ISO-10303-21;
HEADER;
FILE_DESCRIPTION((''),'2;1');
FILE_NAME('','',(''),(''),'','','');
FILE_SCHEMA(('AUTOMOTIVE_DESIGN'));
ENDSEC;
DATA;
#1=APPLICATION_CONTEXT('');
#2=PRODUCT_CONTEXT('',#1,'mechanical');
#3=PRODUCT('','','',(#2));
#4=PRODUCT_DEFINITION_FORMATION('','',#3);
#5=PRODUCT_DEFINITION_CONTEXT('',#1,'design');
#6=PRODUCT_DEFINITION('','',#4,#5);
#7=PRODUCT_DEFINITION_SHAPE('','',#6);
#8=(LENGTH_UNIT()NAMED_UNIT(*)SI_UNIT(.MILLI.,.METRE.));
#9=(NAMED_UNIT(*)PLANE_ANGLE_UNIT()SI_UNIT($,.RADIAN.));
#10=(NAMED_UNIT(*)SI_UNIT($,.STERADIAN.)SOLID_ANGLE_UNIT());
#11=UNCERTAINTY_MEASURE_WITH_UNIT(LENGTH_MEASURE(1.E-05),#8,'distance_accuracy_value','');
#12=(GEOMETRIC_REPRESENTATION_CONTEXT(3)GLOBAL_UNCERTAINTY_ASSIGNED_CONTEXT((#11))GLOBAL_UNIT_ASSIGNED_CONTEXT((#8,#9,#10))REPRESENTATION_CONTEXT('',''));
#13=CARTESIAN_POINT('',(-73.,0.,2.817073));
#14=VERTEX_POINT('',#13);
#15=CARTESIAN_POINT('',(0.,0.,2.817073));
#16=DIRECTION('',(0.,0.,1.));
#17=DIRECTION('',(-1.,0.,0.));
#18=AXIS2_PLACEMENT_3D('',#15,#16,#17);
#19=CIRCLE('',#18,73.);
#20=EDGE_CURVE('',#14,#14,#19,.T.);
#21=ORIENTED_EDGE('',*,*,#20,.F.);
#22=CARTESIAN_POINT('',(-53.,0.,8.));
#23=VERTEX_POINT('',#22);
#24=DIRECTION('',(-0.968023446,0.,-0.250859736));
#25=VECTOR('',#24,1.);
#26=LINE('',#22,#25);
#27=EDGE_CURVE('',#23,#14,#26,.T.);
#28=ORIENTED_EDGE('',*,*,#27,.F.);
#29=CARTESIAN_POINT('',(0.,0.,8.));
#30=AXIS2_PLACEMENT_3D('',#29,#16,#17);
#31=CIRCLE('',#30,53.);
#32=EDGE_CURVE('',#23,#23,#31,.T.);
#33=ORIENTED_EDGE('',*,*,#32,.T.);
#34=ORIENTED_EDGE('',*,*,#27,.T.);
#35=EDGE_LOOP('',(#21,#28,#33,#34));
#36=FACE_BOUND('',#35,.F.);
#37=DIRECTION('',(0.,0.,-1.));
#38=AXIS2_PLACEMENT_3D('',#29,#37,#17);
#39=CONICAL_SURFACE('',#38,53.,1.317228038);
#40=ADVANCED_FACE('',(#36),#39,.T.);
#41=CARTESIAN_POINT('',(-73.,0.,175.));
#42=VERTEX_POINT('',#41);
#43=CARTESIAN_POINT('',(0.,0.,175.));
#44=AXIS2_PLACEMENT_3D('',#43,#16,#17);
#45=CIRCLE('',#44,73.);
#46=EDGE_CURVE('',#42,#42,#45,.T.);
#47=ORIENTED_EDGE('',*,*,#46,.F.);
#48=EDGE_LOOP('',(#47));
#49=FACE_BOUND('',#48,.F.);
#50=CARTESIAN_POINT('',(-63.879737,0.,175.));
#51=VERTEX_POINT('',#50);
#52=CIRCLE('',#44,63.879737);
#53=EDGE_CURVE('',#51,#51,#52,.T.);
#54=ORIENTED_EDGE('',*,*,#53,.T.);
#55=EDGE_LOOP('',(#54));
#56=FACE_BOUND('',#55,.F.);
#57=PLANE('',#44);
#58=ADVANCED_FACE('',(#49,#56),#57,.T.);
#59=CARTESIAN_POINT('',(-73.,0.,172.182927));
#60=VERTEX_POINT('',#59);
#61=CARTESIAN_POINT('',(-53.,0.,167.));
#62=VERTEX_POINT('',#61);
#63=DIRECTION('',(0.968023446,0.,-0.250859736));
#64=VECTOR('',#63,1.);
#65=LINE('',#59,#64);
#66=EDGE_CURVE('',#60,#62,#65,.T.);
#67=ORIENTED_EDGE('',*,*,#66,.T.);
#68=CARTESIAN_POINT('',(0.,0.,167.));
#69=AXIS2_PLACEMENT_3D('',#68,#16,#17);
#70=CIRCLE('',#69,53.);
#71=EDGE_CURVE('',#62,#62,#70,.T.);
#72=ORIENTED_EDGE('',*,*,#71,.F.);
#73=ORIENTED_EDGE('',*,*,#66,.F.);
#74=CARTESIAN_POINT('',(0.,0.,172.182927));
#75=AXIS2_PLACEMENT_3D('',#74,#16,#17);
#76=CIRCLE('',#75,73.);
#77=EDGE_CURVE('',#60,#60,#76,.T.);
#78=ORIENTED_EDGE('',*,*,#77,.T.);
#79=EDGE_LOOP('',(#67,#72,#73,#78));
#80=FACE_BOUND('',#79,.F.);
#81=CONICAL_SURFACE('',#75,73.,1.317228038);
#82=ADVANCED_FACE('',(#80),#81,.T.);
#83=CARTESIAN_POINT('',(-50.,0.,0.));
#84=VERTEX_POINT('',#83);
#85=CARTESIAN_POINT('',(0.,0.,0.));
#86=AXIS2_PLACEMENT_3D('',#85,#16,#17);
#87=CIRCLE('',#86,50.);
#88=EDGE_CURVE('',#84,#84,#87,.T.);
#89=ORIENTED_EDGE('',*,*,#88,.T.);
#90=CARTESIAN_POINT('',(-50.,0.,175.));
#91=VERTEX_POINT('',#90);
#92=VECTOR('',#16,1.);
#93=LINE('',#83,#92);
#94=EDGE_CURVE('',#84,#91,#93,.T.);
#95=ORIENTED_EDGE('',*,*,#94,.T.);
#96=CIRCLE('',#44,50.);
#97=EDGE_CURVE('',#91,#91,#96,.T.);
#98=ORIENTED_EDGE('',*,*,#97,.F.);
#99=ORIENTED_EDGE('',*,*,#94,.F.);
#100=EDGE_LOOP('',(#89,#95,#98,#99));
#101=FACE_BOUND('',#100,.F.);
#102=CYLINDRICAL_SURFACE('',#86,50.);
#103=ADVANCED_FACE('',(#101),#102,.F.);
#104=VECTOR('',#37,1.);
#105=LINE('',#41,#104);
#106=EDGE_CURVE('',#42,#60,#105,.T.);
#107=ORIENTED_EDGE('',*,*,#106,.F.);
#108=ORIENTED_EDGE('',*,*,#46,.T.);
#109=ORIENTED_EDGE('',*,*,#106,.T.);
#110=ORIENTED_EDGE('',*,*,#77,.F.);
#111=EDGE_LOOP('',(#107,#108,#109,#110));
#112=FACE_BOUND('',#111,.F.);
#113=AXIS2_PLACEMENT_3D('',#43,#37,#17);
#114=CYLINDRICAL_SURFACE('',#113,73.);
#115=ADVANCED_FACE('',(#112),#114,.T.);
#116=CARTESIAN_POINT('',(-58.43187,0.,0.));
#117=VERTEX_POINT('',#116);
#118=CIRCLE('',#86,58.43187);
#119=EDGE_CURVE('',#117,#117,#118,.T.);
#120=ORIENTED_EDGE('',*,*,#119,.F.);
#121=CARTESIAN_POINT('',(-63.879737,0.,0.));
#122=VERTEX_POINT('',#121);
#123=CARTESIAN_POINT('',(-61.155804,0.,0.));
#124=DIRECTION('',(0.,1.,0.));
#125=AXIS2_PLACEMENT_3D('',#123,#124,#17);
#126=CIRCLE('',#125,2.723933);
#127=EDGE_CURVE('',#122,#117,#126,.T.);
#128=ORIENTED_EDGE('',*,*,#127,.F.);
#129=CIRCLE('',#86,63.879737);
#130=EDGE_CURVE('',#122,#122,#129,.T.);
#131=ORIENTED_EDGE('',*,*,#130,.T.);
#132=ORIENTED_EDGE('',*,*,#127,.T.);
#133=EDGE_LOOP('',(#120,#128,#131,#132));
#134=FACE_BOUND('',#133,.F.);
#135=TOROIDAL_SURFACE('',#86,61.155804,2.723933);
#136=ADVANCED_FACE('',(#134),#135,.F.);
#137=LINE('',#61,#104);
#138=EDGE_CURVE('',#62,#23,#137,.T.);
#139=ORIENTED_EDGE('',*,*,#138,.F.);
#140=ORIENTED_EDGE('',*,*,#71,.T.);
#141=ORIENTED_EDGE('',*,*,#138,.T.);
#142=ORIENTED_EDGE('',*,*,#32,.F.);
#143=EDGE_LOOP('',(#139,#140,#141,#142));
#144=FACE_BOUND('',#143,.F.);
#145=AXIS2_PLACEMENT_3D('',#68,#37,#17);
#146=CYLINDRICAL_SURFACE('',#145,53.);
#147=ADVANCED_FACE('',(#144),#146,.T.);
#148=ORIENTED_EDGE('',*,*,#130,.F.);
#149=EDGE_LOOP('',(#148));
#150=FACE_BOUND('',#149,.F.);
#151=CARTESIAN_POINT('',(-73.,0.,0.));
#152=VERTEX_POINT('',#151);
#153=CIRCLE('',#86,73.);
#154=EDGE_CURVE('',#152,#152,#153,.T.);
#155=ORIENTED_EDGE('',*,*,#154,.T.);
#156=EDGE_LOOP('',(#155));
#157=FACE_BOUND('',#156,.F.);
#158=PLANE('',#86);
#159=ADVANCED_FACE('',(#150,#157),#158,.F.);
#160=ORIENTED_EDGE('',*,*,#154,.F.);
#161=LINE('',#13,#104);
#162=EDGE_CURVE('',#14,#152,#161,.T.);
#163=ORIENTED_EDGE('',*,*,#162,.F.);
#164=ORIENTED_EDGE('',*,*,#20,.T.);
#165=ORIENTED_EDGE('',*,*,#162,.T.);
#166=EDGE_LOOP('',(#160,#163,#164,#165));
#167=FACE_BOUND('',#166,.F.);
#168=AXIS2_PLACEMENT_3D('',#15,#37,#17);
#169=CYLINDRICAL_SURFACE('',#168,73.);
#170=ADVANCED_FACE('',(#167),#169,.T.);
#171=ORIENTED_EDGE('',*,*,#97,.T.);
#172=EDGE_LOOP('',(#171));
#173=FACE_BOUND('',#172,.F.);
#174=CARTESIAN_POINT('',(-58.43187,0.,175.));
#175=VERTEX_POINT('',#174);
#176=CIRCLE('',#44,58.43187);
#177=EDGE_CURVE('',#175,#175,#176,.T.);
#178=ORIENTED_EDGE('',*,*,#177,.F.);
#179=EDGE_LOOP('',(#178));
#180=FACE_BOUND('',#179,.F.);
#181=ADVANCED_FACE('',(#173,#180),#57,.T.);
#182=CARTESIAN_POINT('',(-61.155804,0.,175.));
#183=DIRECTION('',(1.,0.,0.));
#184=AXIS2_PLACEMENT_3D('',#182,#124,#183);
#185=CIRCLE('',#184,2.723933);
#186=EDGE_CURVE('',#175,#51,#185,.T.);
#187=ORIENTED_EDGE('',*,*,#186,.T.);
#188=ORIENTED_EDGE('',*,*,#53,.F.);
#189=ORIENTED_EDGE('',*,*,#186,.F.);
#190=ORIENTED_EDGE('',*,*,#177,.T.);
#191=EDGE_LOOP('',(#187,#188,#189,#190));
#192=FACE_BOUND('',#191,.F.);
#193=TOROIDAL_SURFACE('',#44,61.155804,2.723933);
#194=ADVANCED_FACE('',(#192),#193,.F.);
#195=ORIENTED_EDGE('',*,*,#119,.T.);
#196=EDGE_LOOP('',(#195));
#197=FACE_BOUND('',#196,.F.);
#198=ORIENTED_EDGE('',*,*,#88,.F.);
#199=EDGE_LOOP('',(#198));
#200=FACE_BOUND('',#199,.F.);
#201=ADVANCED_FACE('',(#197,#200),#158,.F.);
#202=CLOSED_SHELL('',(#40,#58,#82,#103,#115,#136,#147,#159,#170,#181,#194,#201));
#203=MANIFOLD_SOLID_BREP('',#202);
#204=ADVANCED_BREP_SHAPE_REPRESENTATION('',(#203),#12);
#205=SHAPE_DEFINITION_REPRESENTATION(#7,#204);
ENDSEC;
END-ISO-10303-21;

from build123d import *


with BuildPart() as f1:
    # F0 (on Front) → F1 (revolve)
    with BuildSketch(Plane.XZ):
        with BuildLine():
            Line((-58.4318702234, 0), (-53, 0))
            Line((-53, 0), (-53, 8))
            Line((-53, 8), (-73, 2.8170731384))
            Line((-73, 2.8170731384), (-73, 0))
            Line((-73, 0), (-63.8797367798, 0))
            ThreePointArc((-63.8797367798, 0), (-61.1558035016, 2.7239332782), (-58.4318702234, 0))
        make_face()
        with BuildLine():
            Line((-53, 167), (-53, 175))
            Line((-53, 175), (-58.4318702234, 175))
            ThreePointArc((-58.4318702234, 175), (-61.1558035016, 172.2760667218), (-63.8797367798, 175))
            Line((-63.8797367798, 175), (-73, 175))
            Line((-73, 175), (-73, 172.1829268616))
            Line((-73, 172.1829268616), (-53, 167))
        make_face()
        Polygon((-53, 0), (-50, 0), (-50, 87.5), (-50, 175), (-53, 175), (-53, 167), (-53, 87.5), (-53, 8), align=None)
    revolve(axis=Axis((0, 0, 131.25), (0, 0, 1)))


solid = f1.part
